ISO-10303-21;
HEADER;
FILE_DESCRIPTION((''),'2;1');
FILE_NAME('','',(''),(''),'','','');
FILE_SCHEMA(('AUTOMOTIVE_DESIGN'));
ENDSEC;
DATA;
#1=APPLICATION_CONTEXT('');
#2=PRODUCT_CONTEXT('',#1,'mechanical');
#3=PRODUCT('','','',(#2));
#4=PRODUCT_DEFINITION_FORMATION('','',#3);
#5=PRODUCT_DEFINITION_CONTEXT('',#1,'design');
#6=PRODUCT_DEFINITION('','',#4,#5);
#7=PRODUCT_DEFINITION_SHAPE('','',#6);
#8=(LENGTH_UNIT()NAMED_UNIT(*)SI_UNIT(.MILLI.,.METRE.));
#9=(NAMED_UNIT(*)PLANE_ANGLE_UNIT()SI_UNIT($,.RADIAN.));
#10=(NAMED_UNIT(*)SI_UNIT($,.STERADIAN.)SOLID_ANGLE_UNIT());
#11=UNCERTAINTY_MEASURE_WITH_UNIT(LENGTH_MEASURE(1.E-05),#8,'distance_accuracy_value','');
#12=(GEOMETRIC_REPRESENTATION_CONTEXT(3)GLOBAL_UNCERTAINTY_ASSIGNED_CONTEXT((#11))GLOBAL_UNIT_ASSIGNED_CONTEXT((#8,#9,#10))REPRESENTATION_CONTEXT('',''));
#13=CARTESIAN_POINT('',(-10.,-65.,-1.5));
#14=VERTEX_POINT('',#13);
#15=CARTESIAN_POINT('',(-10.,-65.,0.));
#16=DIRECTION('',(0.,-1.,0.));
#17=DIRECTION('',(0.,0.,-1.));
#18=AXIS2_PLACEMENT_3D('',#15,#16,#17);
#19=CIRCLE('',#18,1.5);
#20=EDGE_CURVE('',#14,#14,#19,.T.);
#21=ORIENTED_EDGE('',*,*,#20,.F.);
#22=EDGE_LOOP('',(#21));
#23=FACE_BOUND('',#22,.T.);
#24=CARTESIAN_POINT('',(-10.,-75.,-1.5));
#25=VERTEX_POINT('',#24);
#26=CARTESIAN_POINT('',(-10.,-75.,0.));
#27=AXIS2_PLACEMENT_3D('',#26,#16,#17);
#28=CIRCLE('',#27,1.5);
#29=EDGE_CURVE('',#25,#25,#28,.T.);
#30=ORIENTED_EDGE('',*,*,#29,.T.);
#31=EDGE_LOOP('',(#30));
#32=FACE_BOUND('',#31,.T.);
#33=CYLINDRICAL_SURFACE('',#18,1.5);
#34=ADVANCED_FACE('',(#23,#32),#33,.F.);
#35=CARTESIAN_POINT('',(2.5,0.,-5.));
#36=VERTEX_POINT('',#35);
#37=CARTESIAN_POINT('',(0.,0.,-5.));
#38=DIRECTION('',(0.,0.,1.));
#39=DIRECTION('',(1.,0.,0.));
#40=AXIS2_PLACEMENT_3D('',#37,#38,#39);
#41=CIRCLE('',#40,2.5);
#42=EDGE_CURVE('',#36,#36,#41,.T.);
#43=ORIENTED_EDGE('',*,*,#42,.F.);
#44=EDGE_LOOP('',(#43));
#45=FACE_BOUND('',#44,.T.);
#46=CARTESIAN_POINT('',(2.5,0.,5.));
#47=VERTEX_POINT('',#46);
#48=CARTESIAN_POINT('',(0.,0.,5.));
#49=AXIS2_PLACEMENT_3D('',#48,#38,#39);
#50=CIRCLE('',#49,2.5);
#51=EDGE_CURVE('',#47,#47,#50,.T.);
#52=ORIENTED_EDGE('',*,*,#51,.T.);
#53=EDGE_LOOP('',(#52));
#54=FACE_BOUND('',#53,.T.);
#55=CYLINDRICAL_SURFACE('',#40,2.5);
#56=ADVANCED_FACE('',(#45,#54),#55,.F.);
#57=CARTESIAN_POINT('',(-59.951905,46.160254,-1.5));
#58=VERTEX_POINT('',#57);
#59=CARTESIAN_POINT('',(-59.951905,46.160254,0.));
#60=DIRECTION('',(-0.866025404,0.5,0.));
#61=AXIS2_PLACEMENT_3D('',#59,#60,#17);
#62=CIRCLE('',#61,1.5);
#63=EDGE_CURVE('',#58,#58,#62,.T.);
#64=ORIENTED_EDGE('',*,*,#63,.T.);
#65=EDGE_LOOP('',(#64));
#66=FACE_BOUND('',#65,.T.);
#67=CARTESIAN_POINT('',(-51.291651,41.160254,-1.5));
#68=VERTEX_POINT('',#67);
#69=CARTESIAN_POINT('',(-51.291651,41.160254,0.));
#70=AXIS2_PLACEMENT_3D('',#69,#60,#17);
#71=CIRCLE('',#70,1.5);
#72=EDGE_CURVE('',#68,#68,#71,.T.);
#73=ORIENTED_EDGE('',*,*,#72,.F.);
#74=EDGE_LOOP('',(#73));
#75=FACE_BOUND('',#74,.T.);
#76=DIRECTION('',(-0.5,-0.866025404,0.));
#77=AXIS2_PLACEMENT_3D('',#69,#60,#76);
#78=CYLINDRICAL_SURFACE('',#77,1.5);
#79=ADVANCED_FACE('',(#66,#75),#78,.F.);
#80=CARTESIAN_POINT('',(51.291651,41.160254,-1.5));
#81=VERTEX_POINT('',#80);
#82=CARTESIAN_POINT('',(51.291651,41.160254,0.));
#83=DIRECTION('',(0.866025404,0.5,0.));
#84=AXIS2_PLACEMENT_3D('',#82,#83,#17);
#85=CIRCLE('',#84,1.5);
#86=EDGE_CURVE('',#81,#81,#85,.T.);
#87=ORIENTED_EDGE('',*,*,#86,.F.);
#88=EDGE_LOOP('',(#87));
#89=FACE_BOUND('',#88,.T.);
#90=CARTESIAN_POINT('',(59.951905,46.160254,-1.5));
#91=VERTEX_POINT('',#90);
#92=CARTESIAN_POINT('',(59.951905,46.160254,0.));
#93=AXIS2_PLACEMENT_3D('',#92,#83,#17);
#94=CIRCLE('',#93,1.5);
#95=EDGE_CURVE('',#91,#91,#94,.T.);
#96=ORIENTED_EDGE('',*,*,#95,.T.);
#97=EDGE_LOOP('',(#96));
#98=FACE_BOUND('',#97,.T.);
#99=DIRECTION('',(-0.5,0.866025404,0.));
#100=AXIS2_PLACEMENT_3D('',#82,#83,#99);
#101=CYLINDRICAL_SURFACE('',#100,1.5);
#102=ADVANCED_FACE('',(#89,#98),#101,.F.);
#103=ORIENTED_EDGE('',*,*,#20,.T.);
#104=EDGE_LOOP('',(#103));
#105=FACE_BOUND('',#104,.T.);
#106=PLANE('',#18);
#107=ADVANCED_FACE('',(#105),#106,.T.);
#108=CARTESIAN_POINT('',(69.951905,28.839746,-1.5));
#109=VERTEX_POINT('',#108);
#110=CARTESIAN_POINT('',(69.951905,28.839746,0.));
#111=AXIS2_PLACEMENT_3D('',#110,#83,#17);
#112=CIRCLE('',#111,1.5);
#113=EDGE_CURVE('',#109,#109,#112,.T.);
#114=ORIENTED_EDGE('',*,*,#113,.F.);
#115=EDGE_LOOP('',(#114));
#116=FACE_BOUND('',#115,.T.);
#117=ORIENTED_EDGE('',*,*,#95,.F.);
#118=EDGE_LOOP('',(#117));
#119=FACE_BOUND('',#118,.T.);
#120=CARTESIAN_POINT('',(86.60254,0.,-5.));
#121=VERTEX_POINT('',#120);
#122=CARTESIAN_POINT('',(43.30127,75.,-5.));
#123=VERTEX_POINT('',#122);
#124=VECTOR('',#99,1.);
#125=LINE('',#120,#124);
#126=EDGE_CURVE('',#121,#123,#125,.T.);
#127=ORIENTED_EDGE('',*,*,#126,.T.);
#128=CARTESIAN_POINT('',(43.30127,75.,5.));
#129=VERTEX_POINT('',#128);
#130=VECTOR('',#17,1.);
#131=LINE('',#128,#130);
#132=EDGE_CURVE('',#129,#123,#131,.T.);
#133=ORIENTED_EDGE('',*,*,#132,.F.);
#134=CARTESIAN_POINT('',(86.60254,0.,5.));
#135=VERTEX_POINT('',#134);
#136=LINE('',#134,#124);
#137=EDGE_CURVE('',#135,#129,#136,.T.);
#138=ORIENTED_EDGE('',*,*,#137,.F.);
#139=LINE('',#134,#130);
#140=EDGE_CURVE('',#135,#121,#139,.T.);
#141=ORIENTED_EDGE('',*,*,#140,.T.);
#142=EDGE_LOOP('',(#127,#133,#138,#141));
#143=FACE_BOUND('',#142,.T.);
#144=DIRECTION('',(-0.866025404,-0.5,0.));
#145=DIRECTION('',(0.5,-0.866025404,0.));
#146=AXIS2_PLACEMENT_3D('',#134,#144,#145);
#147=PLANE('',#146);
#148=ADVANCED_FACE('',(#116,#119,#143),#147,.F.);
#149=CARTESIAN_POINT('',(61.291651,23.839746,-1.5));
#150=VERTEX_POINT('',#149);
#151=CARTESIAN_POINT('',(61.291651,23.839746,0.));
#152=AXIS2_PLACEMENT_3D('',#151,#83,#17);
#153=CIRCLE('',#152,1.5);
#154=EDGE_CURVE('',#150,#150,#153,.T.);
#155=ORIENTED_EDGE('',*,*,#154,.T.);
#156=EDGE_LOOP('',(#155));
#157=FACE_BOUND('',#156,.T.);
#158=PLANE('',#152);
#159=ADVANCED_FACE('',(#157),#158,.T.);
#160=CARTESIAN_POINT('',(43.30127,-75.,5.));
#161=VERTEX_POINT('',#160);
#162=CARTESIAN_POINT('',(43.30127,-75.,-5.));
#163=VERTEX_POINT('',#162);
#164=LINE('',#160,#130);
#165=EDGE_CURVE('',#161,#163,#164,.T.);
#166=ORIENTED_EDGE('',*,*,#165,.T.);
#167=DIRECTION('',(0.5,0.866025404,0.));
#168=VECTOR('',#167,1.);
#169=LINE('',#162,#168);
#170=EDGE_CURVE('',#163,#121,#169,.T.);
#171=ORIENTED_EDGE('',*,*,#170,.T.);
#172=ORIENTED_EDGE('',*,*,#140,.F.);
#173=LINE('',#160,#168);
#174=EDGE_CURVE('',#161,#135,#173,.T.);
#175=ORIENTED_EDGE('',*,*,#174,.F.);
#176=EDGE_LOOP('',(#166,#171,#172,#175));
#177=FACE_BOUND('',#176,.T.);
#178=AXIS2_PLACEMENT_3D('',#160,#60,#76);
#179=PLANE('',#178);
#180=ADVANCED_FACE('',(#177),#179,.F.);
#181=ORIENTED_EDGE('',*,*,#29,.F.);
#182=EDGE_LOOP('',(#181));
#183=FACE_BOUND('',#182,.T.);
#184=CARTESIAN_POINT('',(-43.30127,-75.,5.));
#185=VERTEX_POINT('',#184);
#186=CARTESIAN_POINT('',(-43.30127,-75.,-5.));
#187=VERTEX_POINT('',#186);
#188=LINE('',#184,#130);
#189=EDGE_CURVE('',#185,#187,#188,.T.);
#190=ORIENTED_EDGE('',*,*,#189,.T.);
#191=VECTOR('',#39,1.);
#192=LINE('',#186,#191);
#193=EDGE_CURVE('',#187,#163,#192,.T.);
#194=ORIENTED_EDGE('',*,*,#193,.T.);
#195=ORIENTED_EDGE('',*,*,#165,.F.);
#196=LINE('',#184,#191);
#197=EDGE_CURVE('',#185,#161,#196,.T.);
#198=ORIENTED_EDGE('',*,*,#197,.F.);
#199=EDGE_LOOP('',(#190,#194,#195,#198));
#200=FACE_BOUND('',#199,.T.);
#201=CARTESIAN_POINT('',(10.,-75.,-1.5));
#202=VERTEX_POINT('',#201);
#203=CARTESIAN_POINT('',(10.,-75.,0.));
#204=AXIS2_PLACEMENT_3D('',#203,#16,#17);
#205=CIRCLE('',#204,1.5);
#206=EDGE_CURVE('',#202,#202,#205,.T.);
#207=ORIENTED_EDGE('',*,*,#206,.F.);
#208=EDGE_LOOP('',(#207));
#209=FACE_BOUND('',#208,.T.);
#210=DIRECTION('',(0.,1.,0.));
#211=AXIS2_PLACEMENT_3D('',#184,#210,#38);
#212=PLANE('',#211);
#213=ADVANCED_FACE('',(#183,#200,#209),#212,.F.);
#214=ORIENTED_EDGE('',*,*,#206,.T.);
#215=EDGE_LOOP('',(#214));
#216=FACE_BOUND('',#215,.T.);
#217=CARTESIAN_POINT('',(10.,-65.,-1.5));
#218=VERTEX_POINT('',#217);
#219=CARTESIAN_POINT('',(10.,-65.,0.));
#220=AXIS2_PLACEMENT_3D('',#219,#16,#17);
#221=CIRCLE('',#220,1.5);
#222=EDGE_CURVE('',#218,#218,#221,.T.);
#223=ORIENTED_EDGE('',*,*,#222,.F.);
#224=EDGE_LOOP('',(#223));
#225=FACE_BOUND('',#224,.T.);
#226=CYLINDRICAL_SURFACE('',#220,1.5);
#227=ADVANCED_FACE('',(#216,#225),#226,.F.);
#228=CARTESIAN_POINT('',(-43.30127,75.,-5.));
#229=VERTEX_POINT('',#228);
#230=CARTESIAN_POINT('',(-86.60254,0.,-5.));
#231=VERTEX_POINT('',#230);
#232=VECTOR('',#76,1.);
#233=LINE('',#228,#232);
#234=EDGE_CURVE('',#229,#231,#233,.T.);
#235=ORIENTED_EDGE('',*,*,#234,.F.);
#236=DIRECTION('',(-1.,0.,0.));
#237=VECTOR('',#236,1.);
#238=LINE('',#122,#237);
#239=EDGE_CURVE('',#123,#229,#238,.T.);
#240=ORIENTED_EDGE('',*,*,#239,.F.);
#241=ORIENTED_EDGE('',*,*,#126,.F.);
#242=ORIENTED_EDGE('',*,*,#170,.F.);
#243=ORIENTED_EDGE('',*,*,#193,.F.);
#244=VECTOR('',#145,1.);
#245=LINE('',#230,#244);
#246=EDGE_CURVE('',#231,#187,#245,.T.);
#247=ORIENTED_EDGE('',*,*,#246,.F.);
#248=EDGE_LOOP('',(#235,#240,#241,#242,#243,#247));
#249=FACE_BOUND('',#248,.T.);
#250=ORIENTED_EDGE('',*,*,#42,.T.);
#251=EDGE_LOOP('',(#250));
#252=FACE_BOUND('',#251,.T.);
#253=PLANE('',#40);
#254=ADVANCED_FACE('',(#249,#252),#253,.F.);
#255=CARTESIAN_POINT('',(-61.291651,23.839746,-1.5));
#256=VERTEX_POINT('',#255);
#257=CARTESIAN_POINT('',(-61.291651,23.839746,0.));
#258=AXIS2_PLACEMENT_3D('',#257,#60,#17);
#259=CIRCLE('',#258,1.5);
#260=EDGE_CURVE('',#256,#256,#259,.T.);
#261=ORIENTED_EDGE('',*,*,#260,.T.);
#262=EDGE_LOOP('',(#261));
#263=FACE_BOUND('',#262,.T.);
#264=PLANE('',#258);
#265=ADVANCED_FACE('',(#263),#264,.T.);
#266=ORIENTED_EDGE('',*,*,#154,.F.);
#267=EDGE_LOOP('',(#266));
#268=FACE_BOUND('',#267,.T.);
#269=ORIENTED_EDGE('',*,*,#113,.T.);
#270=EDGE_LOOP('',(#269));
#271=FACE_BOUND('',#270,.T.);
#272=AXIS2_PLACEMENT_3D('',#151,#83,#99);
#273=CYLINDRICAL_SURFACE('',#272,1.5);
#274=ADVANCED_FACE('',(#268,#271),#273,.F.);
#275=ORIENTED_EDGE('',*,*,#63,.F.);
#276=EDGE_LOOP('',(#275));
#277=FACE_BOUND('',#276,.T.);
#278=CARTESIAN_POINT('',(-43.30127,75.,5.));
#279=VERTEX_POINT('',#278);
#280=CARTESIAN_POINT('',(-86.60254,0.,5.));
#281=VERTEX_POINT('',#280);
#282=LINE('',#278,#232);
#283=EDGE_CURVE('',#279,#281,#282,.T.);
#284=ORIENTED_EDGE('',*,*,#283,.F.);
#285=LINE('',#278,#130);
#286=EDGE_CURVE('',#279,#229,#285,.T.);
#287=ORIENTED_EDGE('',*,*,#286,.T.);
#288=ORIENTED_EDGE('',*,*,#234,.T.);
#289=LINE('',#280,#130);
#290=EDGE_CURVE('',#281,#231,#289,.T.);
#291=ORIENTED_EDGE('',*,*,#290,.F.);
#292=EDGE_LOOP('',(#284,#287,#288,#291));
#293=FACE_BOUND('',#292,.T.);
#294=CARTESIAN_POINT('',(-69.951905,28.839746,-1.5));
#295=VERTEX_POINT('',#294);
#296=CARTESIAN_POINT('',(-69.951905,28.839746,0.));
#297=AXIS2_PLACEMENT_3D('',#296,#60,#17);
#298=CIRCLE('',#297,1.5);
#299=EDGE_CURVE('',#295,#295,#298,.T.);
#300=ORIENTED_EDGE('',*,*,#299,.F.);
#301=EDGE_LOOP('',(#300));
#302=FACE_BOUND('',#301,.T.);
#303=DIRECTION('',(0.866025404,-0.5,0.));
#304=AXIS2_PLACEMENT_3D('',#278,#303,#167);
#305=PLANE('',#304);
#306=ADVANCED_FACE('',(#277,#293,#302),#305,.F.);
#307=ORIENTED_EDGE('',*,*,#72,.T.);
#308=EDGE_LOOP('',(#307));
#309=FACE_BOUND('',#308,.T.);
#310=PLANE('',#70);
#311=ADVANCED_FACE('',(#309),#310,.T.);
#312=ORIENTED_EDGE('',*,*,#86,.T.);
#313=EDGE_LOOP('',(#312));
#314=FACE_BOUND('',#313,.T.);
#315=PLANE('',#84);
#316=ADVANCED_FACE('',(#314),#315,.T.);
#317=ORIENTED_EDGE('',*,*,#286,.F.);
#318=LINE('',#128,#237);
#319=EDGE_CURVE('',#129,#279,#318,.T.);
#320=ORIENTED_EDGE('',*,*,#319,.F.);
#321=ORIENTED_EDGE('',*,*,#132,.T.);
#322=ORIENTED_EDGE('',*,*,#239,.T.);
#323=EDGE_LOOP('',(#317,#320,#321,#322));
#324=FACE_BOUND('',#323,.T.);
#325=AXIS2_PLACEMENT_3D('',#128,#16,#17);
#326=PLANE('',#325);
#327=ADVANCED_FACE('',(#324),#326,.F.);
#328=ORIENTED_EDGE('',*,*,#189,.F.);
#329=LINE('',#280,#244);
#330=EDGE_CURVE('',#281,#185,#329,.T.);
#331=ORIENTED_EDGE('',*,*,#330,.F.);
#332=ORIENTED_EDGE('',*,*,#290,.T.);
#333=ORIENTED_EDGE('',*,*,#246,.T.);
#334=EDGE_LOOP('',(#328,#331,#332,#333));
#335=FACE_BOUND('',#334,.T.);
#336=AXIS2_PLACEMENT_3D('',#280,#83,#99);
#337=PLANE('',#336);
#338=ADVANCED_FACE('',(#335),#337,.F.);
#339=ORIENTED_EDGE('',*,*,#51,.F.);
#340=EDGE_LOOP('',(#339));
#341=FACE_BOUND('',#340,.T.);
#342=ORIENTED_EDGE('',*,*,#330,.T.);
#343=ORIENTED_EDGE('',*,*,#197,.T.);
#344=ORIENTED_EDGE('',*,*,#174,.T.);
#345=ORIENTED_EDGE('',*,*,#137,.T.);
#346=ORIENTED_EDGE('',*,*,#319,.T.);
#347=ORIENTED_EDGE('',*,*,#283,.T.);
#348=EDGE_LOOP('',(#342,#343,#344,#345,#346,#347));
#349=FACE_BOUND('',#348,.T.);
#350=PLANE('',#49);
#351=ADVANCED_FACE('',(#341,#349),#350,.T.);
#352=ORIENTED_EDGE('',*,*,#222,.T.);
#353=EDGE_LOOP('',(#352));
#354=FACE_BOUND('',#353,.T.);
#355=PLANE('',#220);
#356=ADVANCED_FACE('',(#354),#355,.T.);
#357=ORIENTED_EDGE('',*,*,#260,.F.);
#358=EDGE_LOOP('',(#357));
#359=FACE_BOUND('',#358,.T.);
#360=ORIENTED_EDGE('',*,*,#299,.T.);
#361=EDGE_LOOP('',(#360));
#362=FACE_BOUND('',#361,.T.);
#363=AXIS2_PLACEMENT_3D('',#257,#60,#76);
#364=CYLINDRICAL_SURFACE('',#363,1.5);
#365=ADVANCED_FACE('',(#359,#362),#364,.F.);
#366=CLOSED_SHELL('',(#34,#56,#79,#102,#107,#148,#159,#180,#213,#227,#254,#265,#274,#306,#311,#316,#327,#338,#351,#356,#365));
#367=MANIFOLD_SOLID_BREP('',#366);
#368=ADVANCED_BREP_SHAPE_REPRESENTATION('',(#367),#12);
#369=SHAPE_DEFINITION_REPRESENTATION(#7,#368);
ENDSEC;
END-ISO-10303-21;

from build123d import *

# Parameters (mm, degrees)
BOSS_EXTRUDE1_DEPTH = 5
SKETCH2_R           = 1.5
CUT_EXTRUDE1_DEPTH  = 10
SKETCH3_R           = 2.5
CUT_EXTRUDE2_DEPTH  = 10
CIRPATTERN1_COUNT   = 3


with BuildPart() as part:
    # Sketch1 → Boss-Extrude1 (new, symmetric)
    with BuildSketch(Plane.XY):
        Polygon((86.602540378, 0), (43.301270189, 75), (-43.301270189, 75), (-86.602540378, 0), (-43.301270189, -75), (43.301270189, -75), align=None)
    extrude(amount=BOSS_EXTRUDE1_DEPTH, both=True)

    # Sketch2 → Cut-Extrude1 (cut)
    with BuildSketch(Plane.XZ.offset(75)):
        with Locations(Location((-10, 0, 0), (0, 0, 270))):
            Circle(SKETCH2_R)
        with Locations(Location((10, 0, 0), (0, 0, 270))):
            Circle(SKETCH2_R)
    cut_extrude1 = extrude(amount=-CUT_EXTRUDE1_DEPTH, mode=Mode.SUBTRACT)

    # Sketch3 → Cut-Extrude2 (cut)
    with BuildSketch(Plane.XY.offset(5)):
        Circle(SKETCH3_R)
    extrude(amount=-CUT_EXTRUDE2_DEPTH, mode=Mode.SUBTRACT)

    # CirPattern1: Cut-Extrude1 ×3 about axis
    cirpattern1_axis = Axis((0, 0, 0), (0, 0, 1))
    for i in range(1, CIRPATTERN1_COUNT):
        add(cut_extrude1.rotate(cirpattern1_axis, i * 360 / CIRPATTERN1_COUNT), mode=Mode.SUBTRACT)


solid = part.part
